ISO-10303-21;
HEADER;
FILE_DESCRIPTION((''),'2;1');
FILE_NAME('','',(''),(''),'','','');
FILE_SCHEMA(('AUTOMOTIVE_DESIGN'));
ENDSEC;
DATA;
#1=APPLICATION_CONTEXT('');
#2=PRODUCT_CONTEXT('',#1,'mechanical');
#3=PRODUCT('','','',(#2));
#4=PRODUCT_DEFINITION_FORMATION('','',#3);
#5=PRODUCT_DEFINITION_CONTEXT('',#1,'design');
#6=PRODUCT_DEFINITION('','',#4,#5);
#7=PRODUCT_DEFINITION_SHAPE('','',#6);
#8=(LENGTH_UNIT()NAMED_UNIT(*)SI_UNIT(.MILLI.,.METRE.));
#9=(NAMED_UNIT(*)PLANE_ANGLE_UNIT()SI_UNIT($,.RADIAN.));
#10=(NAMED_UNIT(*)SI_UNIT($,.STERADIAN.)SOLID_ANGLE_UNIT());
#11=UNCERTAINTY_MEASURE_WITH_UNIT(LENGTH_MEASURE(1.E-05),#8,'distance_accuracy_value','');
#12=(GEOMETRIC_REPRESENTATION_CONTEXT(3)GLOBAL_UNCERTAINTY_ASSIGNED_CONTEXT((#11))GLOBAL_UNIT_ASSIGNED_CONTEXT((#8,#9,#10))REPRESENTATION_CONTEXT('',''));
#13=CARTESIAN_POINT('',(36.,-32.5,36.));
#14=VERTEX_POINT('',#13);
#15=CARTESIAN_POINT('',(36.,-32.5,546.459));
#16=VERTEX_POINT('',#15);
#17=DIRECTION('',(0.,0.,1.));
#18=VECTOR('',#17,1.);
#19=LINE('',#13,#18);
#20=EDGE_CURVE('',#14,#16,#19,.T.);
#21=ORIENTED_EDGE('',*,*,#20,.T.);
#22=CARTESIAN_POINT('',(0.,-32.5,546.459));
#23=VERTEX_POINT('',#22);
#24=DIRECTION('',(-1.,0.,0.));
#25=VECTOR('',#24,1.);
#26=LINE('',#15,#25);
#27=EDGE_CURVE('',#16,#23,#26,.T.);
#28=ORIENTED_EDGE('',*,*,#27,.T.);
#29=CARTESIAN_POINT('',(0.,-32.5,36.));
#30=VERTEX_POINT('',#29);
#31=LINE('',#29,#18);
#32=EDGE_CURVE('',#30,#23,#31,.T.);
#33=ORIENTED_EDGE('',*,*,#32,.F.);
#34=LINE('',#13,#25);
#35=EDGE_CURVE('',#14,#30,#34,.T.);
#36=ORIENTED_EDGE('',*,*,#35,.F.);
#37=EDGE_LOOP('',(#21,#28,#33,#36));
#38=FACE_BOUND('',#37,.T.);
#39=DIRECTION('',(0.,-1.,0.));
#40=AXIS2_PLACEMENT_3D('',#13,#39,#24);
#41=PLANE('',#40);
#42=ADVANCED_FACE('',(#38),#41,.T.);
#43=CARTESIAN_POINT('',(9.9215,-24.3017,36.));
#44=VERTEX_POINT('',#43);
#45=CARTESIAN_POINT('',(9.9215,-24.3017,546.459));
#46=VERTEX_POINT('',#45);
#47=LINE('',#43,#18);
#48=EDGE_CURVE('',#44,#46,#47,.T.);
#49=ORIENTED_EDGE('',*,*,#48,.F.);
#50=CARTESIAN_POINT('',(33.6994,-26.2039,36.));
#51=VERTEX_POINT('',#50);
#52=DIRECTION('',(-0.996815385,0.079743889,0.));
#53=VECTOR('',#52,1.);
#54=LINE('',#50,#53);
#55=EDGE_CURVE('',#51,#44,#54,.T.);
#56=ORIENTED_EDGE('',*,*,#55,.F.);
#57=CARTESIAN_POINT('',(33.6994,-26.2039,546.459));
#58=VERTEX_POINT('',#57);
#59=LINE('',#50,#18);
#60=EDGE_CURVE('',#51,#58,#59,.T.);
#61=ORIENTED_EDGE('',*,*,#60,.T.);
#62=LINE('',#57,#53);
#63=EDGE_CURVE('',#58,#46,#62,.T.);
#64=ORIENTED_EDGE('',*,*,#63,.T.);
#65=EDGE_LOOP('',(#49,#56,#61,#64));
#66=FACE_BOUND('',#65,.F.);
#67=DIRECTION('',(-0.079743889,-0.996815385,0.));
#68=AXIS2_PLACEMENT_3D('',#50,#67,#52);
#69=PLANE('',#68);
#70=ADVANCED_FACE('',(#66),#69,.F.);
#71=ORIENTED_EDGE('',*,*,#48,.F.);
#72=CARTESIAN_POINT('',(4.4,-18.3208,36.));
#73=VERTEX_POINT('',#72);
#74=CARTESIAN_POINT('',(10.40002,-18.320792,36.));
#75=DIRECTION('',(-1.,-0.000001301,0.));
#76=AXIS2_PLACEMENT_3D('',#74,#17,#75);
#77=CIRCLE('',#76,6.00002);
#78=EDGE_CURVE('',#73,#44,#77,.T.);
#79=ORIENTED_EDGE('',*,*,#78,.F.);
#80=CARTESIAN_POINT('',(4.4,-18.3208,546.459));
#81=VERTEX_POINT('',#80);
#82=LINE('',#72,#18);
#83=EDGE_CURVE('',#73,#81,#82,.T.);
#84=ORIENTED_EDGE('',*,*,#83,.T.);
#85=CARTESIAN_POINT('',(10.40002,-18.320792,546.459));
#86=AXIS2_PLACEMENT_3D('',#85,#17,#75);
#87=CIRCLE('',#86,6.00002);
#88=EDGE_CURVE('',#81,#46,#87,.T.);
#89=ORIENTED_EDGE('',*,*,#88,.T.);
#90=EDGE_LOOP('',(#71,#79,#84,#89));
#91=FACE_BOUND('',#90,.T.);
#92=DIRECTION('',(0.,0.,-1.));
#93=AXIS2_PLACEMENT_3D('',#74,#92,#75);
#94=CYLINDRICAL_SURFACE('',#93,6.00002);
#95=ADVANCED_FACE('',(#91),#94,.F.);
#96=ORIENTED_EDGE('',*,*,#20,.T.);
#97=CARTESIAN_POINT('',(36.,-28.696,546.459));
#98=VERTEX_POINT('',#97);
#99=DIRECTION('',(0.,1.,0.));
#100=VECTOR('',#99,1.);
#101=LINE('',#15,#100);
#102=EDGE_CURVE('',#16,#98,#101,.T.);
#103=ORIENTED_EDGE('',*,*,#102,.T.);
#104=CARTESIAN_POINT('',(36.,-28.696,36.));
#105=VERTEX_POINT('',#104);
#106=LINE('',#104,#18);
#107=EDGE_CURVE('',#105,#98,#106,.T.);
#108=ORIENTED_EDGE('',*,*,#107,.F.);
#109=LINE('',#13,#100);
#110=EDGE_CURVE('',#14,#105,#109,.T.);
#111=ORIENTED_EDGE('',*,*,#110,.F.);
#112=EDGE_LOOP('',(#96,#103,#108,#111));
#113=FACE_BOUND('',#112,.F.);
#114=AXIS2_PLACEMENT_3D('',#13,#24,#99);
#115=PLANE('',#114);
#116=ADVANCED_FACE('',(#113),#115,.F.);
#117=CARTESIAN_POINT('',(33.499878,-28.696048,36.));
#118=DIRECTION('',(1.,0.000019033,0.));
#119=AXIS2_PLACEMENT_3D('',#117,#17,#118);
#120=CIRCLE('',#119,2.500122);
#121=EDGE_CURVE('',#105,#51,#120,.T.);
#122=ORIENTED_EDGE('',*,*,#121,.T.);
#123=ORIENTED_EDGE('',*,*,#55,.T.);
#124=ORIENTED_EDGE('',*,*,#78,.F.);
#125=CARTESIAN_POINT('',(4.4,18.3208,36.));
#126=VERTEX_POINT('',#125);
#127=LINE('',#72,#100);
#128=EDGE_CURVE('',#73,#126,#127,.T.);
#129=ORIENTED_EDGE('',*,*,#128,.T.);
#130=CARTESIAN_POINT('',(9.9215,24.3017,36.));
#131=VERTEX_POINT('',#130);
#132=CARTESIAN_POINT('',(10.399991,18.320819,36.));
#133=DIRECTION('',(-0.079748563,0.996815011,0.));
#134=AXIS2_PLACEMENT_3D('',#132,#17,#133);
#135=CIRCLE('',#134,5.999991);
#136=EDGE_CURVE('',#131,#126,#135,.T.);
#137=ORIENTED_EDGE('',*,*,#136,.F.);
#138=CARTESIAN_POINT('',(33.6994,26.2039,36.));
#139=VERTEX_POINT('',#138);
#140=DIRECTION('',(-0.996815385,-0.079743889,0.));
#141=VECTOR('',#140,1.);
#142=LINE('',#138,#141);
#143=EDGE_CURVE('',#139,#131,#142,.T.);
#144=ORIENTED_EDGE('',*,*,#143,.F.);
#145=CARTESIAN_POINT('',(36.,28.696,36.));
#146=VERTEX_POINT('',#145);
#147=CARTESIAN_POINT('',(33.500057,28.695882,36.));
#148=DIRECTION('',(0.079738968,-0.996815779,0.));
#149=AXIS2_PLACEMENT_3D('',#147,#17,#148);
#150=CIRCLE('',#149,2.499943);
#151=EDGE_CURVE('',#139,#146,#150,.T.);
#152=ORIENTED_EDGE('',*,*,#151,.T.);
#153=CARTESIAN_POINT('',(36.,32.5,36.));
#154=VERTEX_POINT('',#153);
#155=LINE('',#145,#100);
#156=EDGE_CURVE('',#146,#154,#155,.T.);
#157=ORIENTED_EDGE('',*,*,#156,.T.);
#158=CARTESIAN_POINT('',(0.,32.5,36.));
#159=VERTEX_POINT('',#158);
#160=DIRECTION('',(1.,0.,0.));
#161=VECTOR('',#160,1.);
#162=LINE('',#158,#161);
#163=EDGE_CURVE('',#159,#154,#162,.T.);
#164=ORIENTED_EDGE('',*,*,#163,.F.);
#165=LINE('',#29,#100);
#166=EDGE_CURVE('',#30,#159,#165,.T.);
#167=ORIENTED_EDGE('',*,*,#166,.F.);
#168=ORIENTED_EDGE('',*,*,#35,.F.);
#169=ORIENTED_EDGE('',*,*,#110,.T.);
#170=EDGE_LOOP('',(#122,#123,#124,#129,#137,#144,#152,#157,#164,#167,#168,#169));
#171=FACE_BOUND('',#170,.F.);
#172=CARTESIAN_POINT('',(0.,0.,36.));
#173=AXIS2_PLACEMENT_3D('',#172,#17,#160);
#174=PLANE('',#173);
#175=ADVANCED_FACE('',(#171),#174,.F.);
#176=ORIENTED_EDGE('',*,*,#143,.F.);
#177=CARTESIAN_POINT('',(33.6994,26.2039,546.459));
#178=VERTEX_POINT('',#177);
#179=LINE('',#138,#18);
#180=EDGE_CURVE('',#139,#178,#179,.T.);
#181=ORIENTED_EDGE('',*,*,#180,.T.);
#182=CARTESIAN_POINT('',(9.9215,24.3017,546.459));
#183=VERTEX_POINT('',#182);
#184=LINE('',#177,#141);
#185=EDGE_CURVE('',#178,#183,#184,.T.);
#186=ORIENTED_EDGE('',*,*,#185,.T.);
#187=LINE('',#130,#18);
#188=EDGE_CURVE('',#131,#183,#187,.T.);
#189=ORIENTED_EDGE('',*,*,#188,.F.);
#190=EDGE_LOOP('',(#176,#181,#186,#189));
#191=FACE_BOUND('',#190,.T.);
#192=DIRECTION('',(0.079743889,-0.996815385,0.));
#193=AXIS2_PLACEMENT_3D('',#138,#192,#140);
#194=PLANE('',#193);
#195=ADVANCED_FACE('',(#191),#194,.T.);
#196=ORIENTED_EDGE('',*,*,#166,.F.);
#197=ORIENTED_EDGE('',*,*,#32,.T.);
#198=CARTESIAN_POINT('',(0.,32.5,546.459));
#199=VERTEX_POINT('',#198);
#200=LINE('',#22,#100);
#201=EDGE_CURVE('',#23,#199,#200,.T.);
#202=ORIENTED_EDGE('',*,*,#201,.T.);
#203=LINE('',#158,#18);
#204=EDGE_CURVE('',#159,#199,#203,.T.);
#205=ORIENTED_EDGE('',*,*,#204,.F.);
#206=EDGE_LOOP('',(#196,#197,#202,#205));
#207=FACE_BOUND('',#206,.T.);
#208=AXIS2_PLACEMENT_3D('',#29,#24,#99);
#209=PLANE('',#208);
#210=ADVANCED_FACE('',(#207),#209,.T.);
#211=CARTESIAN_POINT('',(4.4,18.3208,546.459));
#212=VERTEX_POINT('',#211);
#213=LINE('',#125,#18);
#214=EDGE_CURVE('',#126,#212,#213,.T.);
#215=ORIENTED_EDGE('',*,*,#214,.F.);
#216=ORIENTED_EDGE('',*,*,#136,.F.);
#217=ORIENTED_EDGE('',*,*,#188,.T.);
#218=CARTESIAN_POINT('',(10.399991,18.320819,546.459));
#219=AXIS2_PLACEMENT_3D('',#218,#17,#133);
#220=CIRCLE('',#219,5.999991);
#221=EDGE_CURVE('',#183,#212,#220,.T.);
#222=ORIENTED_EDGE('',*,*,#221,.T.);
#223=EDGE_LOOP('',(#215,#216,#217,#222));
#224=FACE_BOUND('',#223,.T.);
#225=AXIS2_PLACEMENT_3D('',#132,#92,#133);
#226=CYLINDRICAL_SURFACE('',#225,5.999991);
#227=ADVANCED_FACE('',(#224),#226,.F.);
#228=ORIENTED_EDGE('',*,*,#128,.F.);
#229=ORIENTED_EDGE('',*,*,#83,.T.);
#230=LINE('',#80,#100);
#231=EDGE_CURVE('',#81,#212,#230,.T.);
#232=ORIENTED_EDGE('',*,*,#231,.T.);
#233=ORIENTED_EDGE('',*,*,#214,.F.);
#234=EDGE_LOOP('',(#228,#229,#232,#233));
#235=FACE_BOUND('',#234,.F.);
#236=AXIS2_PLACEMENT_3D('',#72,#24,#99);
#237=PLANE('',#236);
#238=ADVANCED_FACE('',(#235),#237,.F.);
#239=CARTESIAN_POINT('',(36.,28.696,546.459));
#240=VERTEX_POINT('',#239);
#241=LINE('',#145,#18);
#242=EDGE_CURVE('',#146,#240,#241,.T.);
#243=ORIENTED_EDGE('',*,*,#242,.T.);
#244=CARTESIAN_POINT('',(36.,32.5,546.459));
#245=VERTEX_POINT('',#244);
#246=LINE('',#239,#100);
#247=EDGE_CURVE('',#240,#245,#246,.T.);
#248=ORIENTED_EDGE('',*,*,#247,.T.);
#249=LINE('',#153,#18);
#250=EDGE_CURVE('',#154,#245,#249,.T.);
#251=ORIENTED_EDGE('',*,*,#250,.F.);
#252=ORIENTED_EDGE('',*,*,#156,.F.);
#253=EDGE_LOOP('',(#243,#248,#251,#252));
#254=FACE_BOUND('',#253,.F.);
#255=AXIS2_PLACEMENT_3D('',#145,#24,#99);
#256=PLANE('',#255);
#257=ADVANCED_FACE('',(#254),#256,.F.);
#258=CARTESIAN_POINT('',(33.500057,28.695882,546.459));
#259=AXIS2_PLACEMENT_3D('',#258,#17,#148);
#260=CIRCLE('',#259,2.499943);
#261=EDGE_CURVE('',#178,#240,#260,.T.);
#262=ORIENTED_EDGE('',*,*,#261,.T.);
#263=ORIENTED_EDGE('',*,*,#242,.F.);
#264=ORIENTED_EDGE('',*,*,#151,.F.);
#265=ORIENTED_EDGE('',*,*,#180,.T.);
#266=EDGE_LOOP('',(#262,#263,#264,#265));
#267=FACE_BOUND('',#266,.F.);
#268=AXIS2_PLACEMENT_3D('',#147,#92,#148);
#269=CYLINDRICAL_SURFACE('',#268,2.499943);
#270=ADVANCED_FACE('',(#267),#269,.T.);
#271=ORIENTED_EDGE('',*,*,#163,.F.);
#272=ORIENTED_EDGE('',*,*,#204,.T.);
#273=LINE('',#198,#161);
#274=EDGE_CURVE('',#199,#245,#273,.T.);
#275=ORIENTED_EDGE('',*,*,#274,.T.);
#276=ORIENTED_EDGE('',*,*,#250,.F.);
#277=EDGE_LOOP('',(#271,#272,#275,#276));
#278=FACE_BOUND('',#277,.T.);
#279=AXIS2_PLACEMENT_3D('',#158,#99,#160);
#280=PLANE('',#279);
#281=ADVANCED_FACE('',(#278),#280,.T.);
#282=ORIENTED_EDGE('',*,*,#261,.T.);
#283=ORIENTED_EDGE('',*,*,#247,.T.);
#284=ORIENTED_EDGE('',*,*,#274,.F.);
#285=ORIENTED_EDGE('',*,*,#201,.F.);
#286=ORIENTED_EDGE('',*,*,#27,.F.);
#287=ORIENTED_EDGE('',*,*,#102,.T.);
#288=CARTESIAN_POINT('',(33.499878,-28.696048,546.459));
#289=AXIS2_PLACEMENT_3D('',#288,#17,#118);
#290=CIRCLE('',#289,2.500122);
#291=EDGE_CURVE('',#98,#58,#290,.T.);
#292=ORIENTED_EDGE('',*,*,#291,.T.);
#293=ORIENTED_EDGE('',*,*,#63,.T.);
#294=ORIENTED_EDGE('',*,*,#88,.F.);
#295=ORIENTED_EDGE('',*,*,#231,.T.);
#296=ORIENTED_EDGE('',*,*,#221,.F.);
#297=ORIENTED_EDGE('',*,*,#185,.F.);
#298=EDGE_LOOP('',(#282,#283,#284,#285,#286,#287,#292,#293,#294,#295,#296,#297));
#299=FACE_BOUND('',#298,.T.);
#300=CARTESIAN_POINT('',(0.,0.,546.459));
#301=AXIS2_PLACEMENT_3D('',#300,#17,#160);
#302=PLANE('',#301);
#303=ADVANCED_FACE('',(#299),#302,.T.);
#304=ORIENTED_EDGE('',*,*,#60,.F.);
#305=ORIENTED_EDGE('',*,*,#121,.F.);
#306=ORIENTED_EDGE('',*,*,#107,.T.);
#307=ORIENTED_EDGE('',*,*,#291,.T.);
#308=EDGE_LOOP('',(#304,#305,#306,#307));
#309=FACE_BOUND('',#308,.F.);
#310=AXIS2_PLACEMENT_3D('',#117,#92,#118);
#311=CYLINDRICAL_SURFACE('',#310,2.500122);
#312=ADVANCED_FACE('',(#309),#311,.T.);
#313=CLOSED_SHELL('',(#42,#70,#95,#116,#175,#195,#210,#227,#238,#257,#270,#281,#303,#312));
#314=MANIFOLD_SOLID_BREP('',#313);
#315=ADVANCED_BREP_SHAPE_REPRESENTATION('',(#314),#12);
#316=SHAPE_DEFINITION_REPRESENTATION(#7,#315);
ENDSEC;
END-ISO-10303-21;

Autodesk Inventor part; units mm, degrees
ref_plane "Начальная плоскость" through (0, 0, 36) normal (0, 0, 1) x (1, 0, 0)
ref_plane "Конечная плоскость" through (0, 0, 546.459) normal (0, 0, 1) x (1, 0, 0)
sketch "Эскиз" plane through (0, 0, 0) normal (0, 0, 1) x (1, 0, 0)
  line L0 (36, -32.5) -> (0, -32.5)
  line L1 (36, -32.5) -> (36, -28.696)
  line L2 (33.6994, -26.2039) -> (9.9215, -24.3017)
  line L3 (4.4, -18.3208) -> (4.4, 18.3208)
  line L4 (33.6994, 26.2039) -> (9.9215, 24.3017)
  line L5 (36, 28.696) -> (36, 32.5)
  line L6 (0, 32.5) -> (36, 32.5)
  line L7 (0, -32.5) -> (0, 32.5)
  arc A0 (4.4, -18.3208) -> (9.9215, -24.3017) centre (10.4, -18.3208) ccw
  arc A1 (9.9215, 24.3017) -> (4.4, 18.3208) centre (10.4, 18.3208) ccw
  arc A2 (36, -28.696) -> (33.6994, -26.2039) centre (33.5, -28.696) ccw
  arc A3 (33.6994, 26.2039) -> (36, 28.696) centre (33.5, 28.696) ccw
  line L8 (0, 45.5) -> (0, -45.5) construction
  line L9 (-7.2974, 0) -> (43.7847, 0) construction
  point P0 (36, -26.388)
  point P1 (4.4, -23.86)
  point P2 (4.4, 23.86)
  point P3 (36, 26.388)
  dimension "d3" = 36
  dimension "d5" = 4.4
  dimension "d7" = 65
  dimension "d9" = 8.64
  dimension "d11" = 8.64
  dimension "d13" = 6.112
  dimension "d15" = 6.112
  dimension "d22" = 6
  dimension "d23" = 2.5
  dimension "d24" = 32.5
  dimension "d25" = 0
extrude "Тело" add sketch "Эскиз" along normal up to surface (510.459 mm away) from surface at 36
sketch "Sketch3" plane through (0, 0, 0) normal (0, 0, 1) x (1, 0, 0)
  line L0 (0, 0) -> (10, 0)
ref_plane "Work Plane7" through (0, 0, 0) normal (0, -1, 0) x (1, 0, 0)
sketch "Sketch4" plane through (0, 0, 0) normal (0, -1, 0) x (1, 0, 0)
  line L0 (-2, 36) -> (12, 36)
  line L1 (-2, 546.459) -> (12, 546.459)
  dimension "d29" = 510.459
ref_plane "РабПлоскость8" through (86.12, 0, 36) normal (0, 0, -1) x (-1, 0, 0)
split "Разделение1" plane through (86.12, 0, 36) removes the side toward (0, 0, -1)
equation "\"d3\" = b"
equation "\"d5\" = t1"
equation "\"d7\" = ParH"
equation "\"d9\" = msp_x1 + t2"
equation "\"d11\" = msp_x1 + t2"
equation "\"d13\" = -msp_x2 + t2"
equation "\"d15\" = -msp_x2 + t2"
equation "\"d22\" = R"
equation "\"d23\" = R1"
equation "\"d24\" = 0.5 * d7"
equation "\"d16\" = G_L"
equation "\"R1\" = 2.5"
equation "\"R\" = 6"
equation "\"t1\" = 4.4"
equation "\"t2\" = 7.2"
equation "\"ParH\" = 65"
equation "\"b\" = 36"
equation "\"msp_x1\" = 0.04 * b"
equation "\"msp_x2\" = -0.08 * t1 + 0.04 * b"
equation "\"G_L\" = d29"
equation "\"ex\" = 0"
equation "\"G_OFFSET_START\" = -36"
equation "\"G_OFFSET_END\" = 0"
equation "\"d26\" = -G_OFFSET_START"
equation "\"d27\" = G_OFFSET_END + B_L"
equation "\"B_L\" = 546.459"
properties part number "Швеллер 6.5U-510,46 ГОСТ 8240-97"
